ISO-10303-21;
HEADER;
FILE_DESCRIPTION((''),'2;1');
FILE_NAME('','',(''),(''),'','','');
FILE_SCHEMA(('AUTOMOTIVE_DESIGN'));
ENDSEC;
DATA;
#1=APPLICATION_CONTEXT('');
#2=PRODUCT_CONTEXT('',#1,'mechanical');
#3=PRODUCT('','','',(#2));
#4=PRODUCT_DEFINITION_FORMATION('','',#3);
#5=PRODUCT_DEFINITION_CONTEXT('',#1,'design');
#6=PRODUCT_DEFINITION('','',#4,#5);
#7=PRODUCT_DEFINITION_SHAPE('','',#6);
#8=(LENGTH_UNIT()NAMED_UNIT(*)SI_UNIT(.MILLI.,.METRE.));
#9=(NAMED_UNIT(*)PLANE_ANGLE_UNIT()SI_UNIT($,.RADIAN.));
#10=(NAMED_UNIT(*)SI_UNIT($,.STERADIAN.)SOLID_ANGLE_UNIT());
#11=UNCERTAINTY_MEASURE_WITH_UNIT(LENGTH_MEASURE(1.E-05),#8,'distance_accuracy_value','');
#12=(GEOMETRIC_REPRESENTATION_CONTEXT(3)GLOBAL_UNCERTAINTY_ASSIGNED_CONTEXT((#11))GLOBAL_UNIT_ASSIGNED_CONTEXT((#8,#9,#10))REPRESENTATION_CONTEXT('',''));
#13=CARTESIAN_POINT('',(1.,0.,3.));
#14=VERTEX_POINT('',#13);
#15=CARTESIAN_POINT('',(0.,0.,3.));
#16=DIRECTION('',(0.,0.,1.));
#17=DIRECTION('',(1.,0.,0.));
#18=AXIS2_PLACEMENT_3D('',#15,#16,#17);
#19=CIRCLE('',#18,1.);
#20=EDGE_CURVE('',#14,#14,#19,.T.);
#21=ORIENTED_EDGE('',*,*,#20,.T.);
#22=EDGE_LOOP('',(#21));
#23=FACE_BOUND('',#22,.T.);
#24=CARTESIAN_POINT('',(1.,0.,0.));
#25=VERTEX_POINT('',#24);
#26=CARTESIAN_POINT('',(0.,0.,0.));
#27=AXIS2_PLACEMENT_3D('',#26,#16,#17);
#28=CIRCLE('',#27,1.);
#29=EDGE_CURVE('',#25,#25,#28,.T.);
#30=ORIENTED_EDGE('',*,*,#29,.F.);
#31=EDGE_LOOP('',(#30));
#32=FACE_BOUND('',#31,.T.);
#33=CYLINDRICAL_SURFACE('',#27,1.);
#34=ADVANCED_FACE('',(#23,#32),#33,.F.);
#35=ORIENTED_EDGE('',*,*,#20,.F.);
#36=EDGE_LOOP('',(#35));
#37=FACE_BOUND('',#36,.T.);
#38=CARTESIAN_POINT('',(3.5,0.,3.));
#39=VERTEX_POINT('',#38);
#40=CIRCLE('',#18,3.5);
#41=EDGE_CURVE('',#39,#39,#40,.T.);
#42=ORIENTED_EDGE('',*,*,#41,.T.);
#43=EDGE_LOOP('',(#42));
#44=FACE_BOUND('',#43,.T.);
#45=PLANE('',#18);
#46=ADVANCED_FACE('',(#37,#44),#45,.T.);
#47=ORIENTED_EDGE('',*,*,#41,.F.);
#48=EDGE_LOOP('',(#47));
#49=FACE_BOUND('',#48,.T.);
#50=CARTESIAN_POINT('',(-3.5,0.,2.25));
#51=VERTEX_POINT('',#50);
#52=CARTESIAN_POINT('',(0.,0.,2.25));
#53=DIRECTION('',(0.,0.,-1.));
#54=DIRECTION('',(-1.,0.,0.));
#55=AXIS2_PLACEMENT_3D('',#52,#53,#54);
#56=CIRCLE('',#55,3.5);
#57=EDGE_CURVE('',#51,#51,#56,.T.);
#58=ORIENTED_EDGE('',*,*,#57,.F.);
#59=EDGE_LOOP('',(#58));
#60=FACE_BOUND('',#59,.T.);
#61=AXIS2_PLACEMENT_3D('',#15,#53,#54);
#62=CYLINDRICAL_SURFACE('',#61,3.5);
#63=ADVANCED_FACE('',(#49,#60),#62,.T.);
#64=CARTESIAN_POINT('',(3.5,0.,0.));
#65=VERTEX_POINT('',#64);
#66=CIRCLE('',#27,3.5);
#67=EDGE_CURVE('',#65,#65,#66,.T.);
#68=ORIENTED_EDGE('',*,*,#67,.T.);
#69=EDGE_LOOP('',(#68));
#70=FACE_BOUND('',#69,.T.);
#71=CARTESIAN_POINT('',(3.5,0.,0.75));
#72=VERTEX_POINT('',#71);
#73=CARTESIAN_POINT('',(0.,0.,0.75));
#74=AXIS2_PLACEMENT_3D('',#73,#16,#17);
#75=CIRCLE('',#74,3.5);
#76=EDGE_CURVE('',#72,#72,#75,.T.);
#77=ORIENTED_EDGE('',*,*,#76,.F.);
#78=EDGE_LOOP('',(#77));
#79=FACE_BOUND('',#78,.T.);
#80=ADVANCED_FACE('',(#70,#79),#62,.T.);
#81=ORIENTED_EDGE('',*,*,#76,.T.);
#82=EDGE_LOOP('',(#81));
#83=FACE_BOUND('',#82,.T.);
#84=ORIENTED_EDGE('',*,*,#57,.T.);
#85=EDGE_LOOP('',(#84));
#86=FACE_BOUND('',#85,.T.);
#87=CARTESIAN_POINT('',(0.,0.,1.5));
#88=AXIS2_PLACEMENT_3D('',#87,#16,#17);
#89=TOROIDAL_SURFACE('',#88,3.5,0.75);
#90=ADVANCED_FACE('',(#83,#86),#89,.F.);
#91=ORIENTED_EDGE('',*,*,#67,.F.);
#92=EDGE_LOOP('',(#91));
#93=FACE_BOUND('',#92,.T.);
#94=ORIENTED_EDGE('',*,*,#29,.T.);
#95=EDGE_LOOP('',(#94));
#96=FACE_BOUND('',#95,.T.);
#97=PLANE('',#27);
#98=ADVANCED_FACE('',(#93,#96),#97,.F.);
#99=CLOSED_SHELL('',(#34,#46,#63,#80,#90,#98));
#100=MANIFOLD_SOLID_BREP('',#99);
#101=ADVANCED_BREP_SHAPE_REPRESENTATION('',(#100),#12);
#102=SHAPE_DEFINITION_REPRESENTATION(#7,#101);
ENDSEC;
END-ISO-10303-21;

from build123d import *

# Parameters (mm, degrees)
CROQUIS1_R              = 3.5
SALIENTE_EXTRUIR1_DEPTH = 3
CROQUIS2_R              = 0.75
CROQUIS3_R              = 1
CORTAR_EXTRUIR1_DEPTH   = 6.787918451


with BuildPart() as part:
    # Croquis1 → Saliente-Extruir1 (new body)
    with BuildSketch(Plane.XY):
        Circle(CROQUIS1_R)
    extrude(amount=SALIENTE_EXTRUIR1_DEPTH)

    # Croquis2 → Cortar-Revolución1 (revolve, cut)
    with BuildSketch(Plane(origin=(0, 0, 0), x_dir=(0, 0, -1), z_dir=(1, 0, 0)), mode=Mode.PRIVATE) as cortar_revoluci_n1_sk:
        with Locations((-1.5, 3.5)):
            Circle(CROQUIS2_R)
    revolve(cortar_revoluci_n1_sk.sketch.rotate(Axis((0, 0, 3), (0, 0, -1)), 90), axis=Axis((0, 0, 3), (0, 0, -1)), mode=Mode.SUBTRACT)

    # Croquis3 → Cortar-Extruir1 (cut, through all)
    with BuildSketch(Plane.XY.offset(3)):
        Circle(CROQUIS3_R)
    extrude(amount=-CORTAR_EXTRUIR1_DEPTH, mode=Mode.SUBTRACT)


solid = part.part
